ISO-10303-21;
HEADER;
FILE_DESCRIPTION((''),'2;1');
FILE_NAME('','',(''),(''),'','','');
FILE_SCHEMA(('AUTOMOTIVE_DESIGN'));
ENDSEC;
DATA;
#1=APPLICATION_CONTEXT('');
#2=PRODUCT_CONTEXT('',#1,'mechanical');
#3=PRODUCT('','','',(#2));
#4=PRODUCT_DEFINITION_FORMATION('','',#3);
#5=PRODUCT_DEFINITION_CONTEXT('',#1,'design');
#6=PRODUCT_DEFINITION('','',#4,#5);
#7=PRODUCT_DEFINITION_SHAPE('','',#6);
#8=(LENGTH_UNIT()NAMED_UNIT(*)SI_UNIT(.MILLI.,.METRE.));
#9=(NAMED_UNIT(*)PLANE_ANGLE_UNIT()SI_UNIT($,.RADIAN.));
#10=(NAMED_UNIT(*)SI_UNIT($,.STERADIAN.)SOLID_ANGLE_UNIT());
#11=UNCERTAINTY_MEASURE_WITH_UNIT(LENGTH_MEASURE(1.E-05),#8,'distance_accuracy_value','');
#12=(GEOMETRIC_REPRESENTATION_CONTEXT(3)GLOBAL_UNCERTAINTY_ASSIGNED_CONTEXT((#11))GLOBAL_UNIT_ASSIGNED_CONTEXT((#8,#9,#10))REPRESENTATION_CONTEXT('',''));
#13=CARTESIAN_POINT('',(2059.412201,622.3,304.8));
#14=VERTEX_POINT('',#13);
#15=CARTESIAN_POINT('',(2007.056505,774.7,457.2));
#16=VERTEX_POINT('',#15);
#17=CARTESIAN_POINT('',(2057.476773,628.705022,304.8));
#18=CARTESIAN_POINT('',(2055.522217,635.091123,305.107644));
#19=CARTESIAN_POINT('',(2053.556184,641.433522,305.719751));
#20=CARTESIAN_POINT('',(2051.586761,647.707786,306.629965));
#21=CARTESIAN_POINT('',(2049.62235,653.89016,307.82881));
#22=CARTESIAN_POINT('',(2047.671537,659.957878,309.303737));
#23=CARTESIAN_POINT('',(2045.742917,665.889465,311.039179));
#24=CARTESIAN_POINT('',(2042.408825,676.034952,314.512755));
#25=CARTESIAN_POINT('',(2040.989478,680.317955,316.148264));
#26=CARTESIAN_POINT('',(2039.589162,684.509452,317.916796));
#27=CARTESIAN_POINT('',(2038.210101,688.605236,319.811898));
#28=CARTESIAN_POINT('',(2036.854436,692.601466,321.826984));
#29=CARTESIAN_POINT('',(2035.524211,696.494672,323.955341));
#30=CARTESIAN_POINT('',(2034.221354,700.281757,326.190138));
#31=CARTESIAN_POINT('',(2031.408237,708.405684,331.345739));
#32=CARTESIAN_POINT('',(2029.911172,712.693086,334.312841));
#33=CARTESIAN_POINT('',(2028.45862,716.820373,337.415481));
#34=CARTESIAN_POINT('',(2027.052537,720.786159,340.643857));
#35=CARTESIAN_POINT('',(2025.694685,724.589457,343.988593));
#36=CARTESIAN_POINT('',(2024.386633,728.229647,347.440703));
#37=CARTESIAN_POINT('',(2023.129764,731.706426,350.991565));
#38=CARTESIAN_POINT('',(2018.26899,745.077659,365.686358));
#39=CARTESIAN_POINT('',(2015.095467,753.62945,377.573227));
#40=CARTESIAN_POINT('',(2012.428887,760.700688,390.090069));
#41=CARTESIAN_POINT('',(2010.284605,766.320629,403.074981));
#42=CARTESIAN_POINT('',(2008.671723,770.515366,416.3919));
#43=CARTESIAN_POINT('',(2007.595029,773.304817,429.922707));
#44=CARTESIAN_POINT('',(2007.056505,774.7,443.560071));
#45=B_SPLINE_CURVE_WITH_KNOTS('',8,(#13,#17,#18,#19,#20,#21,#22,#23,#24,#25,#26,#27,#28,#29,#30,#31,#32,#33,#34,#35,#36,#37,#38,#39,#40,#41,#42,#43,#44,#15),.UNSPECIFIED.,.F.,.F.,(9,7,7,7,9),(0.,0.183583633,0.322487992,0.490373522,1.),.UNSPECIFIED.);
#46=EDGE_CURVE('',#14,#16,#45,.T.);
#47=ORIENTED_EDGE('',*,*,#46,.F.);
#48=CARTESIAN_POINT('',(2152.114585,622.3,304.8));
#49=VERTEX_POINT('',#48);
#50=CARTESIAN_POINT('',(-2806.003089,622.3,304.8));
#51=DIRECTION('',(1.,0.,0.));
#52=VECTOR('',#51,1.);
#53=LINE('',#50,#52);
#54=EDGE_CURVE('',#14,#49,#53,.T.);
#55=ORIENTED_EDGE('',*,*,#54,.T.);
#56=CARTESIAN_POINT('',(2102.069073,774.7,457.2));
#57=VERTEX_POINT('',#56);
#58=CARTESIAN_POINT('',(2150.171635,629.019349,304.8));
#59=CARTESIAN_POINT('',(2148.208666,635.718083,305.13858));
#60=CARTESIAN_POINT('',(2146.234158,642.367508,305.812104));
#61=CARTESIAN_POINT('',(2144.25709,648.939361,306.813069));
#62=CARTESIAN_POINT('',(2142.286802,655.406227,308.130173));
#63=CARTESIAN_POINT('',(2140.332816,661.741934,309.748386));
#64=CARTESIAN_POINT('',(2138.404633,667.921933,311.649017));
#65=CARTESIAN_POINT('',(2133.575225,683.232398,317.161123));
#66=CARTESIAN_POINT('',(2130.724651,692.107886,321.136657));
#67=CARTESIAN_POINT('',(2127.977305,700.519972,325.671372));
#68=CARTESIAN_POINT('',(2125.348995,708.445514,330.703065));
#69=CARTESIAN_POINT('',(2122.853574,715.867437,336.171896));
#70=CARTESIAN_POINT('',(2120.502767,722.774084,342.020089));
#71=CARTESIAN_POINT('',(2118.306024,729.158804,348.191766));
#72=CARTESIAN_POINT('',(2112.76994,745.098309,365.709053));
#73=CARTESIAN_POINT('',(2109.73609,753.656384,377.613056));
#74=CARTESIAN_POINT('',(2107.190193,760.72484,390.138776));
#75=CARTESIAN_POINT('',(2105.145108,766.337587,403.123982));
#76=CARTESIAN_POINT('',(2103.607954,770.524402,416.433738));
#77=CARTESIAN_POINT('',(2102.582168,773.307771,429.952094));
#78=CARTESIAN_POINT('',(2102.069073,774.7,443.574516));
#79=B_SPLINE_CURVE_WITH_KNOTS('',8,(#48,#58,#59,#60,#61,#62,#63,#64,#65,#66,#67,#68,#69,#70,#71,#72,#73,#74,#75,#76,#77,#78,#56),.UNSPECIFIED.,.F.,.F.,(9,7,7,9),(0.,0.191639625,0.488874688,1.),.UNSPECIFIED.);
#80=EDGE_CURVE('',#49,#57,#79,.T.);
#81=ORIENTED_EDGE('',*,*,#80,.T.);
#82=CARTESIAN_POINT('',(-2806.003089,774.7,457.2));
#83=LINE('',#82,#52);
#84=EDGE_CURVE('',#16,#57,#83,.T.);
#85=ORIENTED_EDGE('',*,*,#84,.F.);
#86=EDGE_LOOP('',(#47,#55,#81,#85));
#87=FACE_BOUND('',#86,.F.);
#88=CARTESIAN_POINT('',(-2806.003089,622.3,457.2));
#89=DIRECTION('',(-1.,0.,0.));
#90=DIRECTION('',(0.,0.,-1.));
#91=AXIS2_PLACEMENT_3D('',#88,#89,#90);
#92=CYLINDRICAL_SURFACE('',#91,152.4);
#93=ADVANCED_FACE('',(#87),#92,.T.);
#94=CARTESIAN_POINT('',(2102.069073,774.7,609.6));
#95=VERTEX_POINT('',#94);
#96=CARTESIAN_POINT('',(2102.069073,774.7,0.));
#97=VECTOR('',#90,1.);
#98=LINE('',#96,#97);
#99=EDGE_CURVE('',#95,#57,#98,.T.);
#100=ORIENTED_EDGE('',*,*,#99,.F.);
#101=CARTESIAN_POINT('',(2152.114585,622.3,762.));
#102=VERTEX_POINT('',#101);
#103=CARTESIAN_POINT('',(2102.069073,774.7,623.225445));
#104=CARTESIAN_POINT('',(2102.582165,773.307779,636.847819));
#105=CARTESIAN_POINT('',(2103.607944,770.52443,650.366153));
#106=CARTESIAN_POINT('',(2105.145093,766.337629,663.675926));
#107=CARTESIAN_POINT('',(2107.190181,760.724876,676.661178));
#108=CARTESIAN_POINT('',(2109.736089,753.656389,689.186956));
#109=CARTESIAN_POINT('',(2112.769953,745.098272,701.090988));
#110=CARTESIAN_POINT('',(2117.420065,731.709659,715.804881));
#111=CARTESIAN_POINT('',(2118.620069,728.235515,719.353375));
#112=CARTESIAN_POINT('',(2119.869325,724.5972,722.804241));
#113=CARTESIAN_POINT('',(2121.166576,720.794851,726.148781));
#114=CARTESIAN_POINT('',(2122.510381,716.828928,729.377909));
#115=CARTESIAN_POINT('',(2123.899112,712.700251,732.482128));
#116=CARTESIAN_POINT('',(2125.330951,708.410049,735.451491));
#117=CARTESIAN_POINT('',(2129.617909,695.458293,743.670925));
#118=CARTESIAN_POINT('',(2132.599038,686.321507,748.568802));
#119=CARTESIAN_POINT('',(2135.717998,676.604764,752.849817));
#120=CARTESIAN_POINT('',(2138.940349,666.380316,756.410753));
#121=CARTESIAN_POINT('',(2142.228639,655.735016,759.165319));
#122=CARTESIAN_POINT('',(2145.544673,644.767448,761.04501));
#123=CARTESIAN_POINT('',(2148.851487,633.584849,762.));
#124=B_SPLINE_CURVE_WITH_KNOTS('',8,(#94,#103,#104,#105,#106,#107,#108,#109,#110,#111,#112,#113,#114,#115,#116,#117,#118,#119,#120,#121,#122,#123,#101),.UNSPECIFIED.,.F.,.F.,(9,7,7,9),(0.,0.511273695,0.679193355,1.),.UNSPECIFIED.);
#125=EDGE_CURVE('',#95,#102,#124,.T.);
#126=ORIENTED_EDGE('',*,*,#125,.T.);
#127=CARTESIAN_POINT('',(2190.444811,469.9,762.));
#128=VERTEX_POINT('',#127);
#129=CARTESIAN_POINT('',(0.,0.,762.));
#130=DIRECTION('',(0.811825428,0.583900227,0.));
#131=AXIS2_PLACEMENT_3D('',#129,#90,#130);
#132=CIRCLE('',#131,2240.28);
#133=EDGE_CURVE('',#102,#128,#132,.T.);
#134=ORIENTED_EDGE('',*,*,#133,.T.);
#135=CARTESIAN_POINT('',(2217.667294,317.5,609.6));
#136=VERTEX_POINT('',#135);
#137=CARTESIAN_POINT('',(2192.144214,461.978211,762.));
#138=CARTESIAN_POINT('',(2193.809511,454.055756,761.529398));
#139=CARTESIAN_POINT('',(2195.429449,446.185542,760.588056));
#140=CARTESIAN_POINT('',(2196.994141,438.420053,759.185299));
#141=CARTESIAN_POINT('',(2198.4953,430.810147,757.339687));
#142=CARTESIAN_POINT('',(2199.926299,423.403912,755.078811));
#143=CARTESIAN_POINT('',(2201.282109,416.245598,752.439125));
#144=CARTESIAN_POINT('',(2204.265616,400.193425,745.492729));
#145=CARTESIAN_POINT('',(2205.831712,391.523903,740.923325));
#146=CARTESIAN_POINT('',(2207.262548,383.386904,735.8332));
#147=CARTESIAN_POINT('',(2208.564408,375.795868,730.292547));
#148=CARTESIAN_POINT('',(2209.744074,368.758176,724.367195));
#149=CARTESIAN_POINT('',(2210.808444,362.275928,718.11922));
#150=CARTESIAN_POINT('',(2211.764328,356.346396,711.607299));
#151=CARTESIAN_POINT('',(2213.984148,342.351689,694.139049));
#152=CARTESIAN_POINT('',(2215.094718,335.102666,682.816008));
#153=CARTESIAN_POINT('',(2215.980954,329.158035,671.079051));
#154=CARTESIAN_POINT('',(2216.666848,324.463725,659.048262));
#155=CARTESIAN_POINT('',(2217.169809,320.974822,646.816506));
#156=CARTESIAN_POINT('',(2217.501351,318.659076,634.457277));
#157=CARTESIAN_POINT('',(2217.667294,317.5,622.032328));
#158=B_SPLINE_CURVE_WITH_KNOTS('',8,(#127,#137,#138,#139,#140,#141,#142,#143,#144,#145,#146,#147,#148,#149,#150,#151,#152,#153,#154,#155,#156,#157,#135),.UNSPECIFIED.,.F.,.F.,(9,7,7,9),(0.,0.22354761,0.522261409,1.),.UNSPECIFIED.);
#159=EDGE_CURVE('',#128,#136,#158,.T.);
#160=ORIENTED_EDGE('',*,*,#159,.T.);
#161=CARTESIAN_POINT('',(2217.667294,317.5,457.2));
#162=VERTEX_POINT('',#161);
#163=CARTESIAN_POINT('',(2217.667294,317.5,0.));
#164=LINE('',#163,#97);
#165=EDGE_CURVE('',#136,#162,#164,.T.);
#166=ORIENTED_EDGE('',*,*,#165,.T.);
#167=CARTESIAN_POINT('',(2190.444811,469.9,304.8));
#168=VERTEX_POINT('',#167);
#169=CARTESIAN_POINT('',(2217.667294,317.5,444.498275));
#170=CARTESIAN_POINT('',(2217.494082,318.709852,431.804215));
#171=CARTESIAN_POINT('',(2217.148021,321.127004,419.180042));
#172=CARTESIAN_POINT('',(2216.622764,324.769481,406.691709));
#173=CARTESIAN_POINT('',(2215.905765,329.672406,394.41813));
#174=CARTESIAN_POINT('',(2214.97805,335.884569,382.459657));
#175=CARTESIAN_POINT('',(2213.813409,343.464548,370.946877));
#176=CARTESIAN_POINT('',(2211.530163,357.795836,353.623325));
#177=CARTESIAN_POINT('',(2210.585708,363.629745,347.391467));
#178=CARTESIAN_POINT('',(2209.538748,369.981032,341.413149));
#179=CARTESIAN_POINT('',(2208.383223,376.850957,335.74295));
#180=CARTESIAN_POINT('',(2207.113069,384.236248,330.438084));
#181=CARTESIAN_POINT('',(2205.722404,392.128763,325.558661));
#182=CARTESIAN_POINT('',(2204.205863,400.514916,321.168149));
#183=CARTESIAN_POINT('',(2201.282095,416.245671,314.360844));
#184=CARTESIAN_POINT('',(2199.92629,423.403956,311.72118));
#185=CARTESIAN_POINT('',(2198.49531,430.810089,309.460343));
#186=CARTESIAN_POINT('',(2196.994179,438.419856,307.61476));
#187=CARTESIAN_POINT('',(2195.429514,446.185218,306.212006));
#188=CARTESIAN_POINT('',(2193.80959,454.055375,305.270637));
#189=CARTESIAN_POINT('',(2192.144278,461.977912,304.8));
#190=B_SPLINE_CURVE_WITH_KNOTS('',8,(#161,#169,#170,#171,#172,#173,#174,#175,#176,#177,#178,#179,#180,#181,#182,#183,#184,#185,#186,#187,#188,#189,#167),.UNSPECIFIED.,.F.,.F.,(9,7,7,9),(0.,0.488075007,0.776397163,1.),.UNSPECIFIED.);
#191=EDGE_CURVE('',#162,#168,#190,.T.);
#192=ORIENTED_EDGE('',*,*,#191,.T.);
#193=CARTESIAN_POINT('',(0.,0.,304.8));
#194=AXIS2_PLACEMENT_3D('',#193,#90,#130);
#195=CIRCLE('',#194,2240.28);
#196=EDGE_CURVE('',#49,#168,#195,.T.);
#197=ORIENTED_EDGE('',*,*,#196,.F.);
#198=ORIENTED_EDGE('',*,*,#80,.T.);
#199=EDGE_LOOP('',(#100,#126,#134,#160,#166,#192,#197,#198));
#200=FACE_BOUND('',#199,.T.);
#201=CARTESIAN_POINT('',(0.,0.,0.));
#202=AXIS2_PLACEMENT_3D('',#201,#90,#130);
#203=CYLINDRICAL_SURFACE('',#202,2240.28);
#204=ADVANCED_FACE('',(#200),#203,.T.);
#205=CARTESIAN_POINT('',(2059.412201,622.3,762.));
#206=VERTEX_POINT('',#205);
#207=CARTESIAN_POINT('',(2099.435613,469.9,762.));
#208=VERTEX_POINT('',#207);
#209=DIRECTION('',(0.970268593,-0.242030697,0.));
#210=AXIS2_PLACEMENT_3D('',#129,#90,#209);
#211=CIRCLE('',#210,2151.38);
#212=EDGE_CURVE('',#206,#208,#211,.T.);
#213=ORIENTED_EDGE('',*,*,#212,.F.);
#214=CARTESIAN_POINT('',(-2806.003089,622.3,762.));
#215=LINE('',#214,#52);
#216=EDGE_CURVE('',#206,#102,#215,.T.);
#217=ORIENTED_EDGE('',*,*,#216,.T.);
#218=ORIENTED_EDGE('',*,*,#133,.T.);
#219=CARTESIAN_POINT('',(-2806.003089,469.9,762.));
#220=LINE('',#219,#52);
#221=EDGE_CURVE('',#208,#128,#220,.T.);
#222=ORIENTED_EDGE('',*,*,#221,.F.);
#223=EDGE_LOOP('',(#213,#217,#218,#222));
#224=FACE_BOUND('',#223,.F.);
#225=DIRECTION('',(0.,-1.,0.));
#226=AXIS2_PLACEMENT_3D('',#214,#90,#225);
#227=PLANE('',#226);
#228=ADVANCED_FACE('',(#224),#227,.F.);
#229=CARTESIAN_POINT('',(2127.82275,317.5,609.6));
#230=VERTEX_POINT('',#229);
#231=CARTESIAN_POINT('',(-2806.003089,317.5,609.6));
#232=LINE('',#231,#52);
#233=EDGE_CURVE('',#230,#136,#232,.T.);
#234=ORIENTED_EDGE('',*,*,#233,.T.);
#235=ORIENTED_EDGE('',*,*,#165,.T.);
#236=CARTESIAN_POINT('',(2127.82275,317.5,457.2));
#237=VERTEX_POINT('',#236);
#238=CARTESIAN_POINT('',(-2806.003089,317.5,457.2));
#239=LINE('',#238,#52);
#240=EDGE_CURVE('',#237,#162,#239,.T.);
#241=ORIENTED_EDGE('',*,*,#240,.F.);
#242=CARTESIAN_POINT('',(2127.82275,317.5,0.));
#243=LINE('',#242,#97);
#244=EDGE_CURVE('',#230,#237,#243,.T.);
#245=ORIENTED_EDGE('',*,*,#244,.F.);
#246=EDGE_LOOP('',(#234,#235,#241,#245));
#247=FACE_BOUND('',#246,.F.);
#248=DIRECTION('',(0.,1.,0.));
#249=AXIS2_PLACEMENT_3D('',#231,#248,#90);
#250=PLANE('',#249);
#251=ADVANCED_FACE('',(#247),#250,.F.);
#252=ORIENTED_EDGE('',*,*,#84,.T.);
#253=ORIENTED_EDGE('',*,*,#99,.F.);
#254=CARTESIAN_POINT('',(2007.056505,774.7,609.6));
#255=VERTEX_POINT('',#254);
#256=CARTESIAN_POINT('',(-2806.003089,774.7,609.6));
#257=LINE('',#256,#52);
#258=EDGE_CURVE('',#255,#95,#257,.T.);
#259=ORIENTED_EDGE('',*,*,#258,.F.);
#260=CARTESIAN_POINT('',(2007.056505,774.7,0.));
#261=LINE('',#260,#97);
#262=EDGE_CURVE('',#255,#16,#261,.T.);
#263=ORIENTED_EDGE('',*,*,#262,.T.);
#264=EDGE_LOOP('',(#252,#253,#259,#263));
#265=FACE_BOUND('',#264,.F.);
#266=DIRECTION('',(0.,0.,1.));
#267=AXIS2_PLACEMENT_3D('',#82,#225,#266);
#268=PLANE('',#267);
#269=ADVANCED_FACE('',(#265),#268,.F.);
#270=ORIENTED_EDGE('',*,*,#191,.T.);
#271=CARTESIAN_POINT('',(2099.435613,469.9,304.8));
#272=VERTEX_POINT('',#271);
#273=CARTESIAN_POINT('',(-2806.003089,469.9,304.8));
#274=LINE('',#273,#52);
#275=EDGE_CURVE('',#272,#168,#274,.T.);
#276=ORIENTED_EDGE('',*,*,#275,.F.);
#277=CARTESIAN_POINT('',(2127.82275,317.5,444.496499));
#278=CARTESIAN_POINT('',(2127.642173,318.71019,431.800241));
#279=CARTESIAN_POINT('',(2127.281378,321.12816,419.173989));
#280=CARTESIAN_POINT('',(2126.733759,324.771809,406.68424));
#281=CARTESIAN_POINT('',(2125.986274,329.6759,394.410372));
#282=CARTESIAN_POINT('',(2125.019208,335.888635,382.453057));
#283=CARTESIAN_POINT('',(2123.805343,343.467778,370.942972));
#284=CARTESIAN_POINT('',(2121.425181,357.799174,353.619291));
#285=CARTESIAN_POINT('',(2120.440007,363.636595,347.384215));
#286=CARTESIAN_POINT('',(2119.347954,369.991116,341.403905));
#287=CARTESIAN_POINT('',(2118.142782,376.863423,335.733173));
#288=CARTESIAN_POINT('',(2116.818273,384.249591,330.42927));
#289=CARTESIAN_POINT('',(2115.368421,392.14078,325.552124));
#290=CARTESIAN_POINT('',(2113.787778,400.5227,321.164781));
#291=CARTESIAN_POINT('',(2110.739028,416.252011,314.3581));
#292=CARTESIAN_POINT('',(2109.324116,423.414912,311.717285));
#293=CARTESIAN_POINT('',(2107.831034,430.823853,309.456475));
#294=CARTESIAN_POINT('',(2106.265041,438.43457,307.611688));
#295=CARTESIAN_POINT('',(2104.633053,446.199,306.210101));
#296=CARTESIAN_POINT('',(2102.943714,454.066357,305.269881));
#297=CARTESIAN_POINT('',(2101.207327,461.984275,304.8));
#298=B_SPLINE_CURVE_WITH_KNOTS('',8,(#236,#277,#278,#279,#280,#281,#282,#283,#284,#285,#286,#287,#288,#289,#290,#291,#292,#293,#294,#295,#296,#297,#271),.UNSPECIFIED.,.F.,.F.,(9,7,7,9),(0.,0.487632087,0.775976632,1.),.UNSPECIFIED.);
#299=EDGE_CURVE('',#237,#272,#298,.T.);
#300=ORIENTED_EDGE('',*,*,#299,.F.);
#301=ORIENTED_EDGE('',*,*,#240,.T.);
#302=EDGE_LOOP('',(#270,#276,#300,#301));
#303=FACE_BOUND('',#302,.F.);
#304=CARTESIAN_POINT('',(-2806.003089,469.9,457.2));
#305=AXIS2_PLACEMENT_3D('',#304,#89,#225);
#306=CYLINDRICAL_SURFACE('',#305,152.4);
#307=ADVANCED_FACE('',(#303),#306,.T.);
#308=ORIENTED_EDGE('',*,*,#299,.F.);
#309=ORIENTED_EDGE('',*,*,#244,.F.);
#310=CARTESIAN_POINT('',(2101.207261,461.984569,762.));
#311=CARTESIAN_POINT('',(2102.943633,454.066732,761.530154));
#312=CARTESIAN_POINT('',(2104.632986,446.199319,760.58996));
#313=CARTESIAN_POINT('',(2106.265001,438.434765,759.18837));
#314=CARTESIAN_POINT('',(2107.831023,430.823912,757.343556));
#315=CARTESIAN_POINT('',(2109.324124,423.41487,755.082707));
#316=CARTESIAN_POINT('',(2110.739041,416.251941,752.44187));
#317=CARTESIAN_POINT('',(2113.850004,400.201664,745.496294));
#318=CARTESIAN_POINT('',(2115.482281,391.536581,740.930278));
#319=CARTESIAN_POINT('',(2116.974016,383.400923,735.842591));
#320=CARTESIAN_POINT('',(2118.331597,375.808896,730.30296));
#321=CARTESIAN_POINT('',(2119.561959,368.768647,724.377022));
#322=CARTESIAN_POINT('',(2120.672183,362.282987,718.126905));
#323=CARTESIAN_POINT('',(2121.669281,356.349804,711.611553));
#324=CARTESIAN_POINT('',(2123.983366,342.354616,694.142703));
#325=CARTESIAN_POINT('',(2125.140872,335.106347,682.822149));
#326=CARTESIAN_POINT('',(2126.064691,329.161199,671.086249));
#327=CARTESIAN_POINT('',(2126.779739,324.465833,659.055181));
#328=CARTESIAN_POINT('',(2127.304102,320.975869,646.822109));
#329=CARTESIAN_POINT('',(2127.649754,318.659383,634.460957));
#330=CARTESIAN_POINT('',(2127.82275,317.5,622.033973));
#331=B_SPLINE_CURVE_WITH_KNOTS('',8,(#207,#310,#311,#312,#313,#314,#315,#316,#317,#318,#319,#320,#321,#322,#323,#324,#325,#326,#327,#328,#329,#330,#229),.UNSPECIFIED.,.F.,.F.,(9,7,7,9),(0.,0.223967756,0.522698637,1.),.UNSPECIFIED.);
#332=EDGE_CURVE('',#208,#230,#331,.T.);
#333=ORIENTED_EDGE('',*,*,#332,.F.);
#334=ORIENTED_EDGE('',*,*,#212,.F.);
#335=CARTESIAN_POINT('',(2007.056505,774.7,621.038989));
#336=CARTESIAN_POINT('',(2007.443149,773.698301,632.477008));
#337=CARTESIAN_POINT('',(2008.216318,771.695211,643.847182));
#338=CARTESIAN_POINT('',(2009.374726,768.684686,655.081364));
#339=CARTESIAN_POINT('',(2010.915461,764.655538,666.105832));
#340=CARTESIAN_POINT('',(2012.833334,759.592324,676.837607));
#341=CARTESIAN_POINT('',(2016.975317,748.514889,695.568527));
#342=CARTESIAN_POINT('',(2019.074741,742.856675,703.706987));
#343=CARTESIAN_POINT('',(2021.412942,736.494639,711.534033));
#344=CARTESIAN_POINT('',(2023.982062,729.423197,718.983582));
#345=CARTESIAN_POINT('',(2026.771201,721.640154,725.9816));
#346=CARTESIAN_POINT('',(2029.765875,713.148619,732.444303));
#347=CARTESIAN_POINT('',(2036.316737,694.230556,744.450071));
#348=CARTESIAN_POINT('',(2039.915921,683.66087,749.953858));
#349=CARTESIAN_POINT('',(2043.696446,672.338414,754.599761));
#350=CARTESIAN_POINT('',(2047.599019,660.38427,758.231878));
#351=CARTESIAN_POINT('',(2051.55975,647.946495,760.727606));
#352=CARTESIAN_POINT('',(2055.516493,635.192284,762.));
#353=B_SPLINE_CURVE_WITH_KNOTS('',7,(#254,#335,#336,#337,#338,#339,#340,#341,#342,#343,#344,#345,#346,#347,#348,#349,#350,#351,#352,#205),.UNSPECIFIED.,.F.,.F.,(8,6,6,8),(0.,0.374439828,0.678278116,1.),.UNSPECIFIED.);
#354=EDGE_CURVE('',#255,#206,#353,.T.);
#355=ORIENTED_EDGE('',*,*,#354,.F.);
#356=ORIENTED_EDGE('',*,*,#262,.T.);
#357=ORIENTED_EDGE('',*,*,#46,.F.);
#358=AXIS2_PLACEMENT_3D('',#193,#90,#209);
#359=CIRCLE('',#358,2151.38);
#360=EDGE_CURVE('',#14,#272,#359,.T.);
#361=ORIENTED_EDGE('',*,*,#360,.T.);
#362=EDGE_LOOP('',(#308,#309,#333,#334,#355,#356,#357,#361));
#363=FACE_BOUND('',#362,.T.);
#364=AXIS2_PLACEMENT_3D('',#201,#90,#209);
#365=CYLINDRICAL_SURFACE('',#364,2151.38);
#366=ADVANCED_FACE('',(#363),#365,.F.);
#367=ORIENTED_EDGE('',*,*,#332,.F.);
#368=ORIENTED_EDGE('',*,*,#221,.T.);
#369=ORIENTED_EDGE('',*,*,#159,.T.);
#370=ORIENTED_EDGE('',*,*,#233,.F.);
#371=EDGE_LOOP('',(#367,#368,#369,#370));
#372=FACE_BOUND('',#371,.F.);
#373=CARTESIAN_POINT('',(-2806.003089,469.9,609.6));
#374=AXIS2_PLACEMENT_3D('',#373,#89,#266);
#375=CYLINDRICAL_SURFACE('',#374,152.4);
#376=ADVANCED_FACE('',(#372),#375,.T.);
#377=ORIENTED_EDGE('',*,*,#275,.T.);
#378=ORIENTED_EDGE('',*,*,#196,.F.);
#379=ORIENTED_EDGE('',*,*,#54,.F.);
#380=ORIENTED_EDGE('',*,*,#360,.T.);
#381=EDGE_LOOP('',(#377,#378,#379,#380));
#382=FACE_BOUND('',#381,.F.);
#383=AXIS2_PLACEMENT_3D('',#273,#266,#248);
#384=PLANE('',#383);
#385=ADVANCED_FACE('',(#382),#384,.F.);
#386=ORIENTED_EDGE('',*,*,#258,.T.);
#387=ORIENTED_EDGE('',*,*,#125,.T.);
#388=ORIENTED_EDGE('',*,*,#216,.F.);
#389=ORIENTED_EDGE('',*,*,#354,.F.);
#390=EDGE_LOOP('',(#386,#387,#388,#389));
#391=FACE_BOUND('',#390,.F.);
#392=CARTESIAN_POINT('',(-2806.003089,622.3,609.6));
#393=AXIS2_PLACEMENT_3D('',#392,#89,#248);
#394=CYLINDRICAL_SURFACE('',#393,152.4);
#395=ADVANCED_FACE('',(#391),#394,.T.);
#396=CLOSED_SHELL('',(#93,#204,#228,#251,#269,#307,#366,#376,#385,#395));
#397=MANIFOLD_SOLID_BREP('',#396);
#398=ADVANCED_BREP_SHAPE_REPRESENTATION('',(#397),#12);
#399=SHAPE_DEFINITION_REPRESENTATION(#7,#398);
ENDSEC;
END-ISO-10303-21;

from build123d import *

# Parameters (mm, degrees)
BOSS_EXTRUDE2_DEPTH     = 1066.8
CUT_EXTRUDE1_DEPTH      = 2806.00308884
CUT_EXTRUDE1_DEPTH_BACK = 2806.00308884


with BuildPart() as part:
    # Sketch1 → Boss-Extrude2 (new body)
    with BuildSketch(Plane.XY):
        with BuildLine():
            Line((1708.013552171, 1308.1), (1818.71626935, 1308.1))
            ThreePointArc((1818.71626935, 1308.1), (2198.04838822, 432.940829033), (2178.927715276, -520.7))
            Line((2178.927715276, -520.7), (2087.416444891, -520.7))
            ThreePointArc((2087.416444891, -520.7), (2106.525474721, 437.019826496), (1708.013552171, 1308.1))
        make_face()
    extrude(amount=BOSS_EXTRUDE2_DEPTH)

    # Sketch2 → Cut-Extrude1 (cut, two sides: drawn at the far end of the back side and taken through both)
    with BuildSketch(Plane(origin=(0, 0, 0), x_dir=(0, 0, -1), z_dir=(1, 0, 0)).offset(-CUT_EXTRUDE1_DEPTH_BACK)):
        with BuildLine():
            Line((-6736.08, -5778.5), (5669.28, -5778.5))
            ThreePointArc((5669.28, -5778.5), (5755.490458762, -5742.790458762), (5791.2, -5656.58))
            Line((5791.2, -5656.58), (5791.2, 6748.78))
            ThreePointArc((5791.2, 6748.78), (5755.490458762, 6834.990458762), (5669.28, 6870.7))
            Line((5669.28, 6870.7), (-6736.08, 6870.7))
            ThreePointArc((-6736.08, 6870.7), (-6822.290458762, 6834.990458762), (-6858, 6748.78))
            Line((-6858, 6748.78), (-6858, -5656.58))
            ThreePointArc((-6858, -5656.58), (-6822.290458762, -5742.790458762), (-6736.08, -5778.5))
        make_face()
        with BuildLine():
            Line((-609.6, 317.5), (-457.2, 317.5))
            ThreePointArc((-457.2, 317.5), (-349.436926547, 362.136926547), (-304.8, 469.9))
            Line((-304.8, 469.9), (-304.8, 622.3))
            ThreePointArc((-304.8, 622.3), (-349.436926547, 730.063073453), (-457.2, 774.7))
            Line((-457.2, 774.7), (-609.6, 774.7))
            ThreePointArc((-609.6, 774.7), (-717.363073453, 730.063073453), (-762, 622.3))
            Line((-762, 622.3), (-762, 469.9))
            ThreePointArc((-762, 469.9), (-717.363073453, 362.136926547), (-609.6, 317.5))
        make_face(mode=Mode.SUBTRACT)
    extrude(amount=CUT_EXTRUDE1_DEPTH + CUT_EXTRUDE1_DEPTH_BACK, mode=Mode.SUBTRACT)


solid = part.part
